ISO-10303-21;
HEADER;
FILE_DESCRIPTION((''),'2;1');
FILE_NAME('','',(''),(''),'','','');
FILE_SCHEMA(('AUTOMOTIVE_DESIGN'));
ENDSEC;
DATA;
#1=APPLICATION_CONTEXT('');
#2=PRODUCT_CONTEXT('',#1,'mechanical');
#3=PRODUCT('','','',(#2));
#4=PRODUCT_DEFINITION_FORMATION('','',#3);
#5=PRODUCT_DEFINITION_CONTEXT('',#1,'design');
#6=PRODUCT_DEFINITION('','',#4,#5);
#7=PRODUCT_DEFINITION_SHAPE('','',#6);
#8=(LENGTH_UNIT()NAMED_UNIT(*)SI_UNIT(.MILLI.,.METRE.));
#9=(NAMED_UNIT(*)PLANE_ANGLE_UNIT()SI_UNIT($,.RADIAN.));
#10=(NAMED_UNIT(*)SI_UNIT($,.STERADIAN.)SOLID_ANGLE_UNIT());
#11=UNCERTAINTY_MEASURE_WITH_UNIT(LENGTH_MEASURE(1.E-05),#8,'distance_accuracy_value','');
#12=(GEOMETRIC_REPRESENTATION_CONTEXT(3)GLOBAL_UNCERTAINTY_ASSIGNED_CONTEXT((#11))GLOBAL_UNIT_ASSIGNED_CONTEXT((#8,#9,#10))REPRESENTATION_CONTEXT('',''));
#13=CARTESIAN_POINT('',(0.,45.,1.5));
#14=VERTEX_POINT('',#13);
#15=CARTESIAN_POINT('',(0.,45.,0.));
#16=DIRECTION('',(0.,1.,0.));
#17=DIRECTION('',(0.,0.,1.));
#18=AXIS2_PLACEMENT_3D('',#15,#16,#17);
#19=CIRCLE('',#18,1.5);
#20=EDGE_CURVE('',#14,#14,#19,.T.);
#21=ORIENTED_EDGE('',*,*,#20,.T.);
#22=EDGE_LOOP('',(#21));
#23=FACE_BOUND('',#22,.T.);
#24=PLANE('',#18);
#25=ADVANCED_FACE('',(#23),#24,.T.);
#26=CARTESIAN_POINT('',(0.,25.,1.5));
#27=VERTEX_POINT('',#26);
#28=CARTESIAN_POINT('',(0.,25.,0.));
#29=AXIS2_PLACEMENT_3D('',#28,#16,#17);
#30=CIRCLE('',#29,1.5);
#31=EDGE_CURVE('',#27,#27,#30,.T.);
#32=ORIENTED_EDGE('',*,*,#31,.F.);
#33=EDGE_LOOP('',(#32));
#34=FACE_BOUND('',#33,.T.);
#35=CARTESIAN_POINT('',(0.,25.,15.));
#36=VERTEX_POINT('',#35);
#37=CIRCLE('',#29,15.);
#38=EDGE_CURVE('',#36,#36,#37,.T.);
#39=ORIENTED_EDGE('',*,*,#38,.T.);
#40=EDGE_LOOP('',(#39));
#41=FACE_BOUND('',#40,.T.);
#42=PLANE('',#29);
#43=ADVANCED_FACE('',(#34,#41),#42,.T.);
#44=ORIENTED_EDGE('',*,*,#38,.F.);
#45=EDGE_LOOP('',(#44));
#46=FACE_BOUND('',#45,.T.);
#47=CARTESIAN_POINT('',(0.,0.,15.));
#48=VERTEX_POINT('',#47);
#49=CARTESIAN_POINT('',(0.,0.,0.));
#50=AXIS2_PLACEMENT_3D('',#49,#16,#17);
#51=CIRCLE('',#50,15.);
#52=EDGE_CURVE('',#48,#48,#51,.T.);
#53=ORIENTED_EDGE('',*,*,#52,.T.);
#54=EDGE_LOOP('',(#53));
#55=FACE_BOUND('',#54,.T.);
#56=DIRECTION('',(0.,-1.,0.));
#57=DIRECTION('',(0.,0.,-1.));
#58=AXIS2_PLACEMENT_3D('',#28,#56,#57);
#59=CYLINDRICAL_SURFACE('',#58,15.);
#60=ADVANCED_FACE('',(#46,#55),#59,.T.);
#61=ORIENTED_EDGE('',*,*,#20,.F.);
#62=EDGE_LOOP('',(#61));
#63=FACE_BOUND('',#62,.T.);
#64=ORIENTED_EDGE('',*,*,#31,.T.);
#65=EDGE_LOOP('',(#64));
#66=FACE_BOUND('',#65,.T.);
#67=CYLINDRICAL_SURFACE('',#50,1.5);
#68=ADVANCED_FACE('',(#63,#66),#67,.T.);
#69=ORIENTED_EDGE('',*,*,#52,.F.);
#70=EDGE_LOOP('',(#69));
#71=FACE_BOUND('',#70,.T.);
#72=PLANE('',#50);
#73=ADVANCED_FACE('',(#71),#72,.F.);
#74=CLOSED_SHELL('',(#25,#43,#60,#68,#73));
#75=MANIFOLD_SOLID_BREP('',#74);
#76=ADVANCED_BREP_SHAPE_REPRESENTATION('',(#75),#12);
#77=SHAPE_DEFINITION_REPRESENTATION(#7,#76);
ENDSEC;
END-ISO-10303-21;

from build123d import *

# Parameters (mm, degrees)
ESBO_O1_R                     = 15
ESBO_O1_R_2                   = 1.5
RESSALTO_EXTRUS_O1_DEPTH      = 25
RESSALTO_EXTRUS_O2_DEPTH      = 20
RESSALTO_EXTRUS_O2_DEPTH_BACK = 25
ESBO_O4_R                     = 1.5


with BuildPart() as part:
    # Esboço1 → Ressalto-extrusão1 (new body)
    with BuildSketch(Plane(origin=(0, 0, 0), x_dir=(1, 0, 0), z_dir=(0, 1, 0))):
        with Locations(Location((0, 0, 0), (0, 0, 270))):
            Circle(ESBO_O1_R)
        with Locations(Location((0, 0, 0), (0, 0, 270))):
            Circle(ESBO_O1_R_2, mode=Mode.SUBTRACT)
    extrude(amount=RESSALTO_EXTRUS_O1_DEPTH)

    # Esboço4 → Ressalto-extrusão2 (add, two sides: drawn at the far end of the back side and taken through both)
    with BuildSketch(Plane(origin=(0, 25, 0), x_dir=(1, 0, 0), z_dir=(0, 1, 0)).offset(-RESSALTO_EXTRUS_O2_DEPTH_BACK)):
        with Locations(Location((0, 0, 0), (0, 0, 270))):
            Circle(ESBO_O4_R)
    extrude(amount=RESSALTO_EXTRUS_O2_DEPTH + RESSALTO_EXTRUS_O2_DEPTH_BACK)


solid = part.part
